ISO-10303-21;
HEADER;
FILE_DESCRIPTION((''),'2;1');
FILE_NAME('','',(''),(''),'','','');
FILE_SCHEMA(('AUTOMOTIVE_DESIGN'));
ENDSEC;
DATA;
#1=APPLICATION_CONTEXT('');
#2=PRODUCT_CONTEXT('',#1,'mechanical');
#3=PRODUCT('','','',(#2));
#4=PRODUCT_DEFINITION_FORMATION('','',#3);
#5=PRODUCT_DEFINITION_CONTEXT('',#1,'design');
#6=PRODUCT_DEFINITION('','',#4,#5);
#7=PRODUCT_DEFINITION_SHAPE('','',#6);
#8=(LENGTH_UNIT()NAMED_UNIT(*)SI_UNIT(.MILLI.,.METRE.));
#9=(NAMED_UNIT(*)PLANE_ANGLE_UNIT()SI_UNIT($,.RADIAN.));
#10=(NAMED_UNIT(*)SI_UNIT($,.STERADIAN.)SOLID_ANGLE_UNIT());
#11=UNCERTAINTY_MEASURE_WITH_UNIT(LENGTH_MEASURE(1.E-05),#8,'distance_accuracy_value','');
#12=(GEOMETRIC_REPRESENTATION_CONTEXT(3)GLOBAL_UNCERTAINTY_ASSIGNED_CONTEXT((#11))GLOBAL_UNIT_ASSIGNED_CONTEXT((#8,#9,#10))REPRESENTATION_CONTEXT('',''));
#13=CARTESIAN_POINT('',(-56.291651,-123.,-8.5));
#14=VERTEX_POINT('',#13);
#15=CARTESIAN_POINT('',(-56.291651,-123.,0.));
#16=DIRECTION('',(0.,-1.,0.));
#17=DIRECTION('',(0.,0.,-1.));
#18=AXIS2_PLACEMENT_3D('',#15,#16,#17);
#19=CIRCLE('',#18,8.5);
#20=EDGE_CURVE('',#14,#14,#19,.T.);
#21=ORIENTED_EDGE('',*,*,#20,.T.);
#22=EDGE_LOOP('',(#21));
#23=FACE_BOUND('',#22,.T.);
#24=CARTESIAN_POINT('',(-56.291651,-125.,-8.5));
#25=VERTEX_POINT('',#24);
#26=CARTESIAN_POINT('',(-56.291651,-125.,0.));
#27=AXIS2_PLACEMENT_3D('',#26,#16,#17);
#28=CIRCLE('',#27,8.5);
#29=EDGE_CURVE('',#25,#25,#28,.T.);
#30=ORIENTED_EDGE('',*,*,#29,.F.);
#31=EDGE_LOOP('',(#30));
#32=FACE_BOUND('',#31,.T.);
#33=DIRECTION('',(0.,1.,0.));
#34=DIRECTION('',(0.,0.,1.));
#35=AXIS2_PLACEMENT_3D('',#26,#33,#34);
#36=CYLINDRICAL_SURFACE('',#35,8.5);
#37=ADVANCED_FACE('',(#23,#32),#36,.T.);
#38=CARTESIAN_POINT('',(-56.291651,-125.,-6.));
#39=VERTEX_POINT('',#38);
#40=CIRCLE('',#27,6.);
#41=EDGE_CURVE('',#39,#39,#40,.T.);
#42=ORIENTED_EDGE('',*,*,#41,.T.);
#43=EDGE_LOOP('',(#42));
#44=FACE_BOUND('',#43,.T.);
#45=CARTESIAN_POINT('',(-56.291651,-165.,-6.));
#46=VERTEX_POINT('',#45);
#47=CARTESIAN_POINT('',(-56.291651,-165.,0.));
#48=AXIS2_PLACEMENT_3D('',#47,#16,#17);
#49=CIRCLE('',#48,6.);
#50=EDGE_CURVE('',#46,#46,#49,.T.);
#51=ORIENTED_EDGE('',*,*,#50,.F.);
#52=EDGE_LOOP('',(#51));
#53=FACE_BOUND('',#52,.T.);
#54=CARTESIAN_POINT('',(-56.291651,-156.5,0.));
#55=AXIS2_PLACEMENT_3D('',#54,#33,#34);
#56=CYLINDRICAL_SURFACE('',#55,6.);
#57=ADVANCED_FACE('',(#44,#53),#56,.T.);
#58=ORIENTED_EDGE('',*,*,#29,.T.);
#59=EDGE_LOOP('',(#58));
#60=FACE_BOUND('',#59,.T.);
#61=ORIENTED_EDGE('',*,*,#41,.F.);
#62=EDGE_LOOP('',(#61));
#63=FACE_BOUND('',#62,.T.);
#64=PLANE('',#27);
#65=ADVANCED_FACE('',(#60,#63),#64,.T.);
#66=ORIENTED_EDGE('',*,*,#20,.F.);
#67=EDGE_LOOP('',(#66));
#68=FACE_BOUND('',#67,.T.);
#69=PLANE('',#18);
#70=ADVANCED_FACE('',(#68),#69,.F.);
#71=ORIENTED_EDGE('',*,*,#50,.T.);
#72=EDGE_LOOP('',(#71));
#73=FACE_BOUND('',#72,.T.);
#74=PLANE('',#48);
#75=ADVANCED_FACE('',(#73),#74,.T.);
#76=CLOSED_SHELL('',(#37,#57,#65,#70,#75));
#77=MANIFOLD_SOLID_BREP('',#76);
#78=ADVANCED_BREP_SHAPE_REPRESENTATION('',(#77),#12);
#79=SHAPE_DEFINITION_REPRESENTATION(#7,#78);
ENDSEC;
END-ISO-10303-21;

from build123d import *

# Parameters (mm, degrees)
MAIN_PROFILE_SKETCH_R     = 8.5
MAIN_EXTRUSION_DEPTH      = 2
DETAIL_EXTRUSION_2_DEPTH  = 31.5
DETAIL_EXTRUSION_3_DEPTH  = 0.5
DETAIL_PROFILE_4_SKETCH_R = 6
DETAIL_EXTRUSION_4_DEPTH  = 8


with BuildPart() as part:
    # Main Profile Sketch → Main Extrusion (new body)
    with BuildSketch(Plane(origin=(0, -123, 0), x_dir=(-1, 0, 0), z_dir=(0, -1, 0))):
        with Locations(Location((56.291651246, 0, 0), (0, 0, 90))):
            Circle(MAIN_PROFILE_SKETCH_R)
    extrude(amount=MAIN_EXTRUSION_DEPTH)

    # Detail Profile 2 Sketch → Detail Extrusion 2 (add)
    with BuildSketch(Plane(origin=(0, -125, 0), x_dir=(-1, 0, 0), z_dir=(0, -1, 0))):
        with BuildLine():
            ThreePointArc((51.384442087, -3.452433674), (62.011933361, 1.81062766), (50.291651246, 0))
            ThreePointArc((50.291651246, 0), (50.571369131, -1.81062766), (51.384442087, -3.452433674))
        make_face()
    extrude(amount=DETAIL_EXTRUSION_2_DEPTH)

    # Detail Profile 3 Sketch → Detail Extrusion 3 (add)
    with BuildSketch(Plane(origin=(0, -156.5, 0), x_dir=(-1, 0, 0), z_dir=(0, -1, 0))):
        with BuildLine():
            ThreePointArc((51.384442087, -3.452433674), (62.011933361, 1.81062766), (50.291651246, 0))
            ThreePointArc((50.291651246, 0), (50.571369131, -1.81062766), (51.384442087, -3.452433674))
        make_face()
    extrude(amount=DETAIL_EXTRUSION_3_DEPTH)

    # Detail Profile 4 Sketch → Detail Extrusion 4 (add)
    with BuildSketch(Plane(origin=(0, -157, 0), x_dir=(-1, 0, 0), z_dir=(0, -1, 0))):
        with Locations(Location((56.291651246, 0, 0), (0, 0, 90))):
            Circle(DETAIL_PROFILE_4_SKETCH_R)
    extrude(amount=DETAIL_EXTRUSION_4_DEPTH)


solid = part.part
